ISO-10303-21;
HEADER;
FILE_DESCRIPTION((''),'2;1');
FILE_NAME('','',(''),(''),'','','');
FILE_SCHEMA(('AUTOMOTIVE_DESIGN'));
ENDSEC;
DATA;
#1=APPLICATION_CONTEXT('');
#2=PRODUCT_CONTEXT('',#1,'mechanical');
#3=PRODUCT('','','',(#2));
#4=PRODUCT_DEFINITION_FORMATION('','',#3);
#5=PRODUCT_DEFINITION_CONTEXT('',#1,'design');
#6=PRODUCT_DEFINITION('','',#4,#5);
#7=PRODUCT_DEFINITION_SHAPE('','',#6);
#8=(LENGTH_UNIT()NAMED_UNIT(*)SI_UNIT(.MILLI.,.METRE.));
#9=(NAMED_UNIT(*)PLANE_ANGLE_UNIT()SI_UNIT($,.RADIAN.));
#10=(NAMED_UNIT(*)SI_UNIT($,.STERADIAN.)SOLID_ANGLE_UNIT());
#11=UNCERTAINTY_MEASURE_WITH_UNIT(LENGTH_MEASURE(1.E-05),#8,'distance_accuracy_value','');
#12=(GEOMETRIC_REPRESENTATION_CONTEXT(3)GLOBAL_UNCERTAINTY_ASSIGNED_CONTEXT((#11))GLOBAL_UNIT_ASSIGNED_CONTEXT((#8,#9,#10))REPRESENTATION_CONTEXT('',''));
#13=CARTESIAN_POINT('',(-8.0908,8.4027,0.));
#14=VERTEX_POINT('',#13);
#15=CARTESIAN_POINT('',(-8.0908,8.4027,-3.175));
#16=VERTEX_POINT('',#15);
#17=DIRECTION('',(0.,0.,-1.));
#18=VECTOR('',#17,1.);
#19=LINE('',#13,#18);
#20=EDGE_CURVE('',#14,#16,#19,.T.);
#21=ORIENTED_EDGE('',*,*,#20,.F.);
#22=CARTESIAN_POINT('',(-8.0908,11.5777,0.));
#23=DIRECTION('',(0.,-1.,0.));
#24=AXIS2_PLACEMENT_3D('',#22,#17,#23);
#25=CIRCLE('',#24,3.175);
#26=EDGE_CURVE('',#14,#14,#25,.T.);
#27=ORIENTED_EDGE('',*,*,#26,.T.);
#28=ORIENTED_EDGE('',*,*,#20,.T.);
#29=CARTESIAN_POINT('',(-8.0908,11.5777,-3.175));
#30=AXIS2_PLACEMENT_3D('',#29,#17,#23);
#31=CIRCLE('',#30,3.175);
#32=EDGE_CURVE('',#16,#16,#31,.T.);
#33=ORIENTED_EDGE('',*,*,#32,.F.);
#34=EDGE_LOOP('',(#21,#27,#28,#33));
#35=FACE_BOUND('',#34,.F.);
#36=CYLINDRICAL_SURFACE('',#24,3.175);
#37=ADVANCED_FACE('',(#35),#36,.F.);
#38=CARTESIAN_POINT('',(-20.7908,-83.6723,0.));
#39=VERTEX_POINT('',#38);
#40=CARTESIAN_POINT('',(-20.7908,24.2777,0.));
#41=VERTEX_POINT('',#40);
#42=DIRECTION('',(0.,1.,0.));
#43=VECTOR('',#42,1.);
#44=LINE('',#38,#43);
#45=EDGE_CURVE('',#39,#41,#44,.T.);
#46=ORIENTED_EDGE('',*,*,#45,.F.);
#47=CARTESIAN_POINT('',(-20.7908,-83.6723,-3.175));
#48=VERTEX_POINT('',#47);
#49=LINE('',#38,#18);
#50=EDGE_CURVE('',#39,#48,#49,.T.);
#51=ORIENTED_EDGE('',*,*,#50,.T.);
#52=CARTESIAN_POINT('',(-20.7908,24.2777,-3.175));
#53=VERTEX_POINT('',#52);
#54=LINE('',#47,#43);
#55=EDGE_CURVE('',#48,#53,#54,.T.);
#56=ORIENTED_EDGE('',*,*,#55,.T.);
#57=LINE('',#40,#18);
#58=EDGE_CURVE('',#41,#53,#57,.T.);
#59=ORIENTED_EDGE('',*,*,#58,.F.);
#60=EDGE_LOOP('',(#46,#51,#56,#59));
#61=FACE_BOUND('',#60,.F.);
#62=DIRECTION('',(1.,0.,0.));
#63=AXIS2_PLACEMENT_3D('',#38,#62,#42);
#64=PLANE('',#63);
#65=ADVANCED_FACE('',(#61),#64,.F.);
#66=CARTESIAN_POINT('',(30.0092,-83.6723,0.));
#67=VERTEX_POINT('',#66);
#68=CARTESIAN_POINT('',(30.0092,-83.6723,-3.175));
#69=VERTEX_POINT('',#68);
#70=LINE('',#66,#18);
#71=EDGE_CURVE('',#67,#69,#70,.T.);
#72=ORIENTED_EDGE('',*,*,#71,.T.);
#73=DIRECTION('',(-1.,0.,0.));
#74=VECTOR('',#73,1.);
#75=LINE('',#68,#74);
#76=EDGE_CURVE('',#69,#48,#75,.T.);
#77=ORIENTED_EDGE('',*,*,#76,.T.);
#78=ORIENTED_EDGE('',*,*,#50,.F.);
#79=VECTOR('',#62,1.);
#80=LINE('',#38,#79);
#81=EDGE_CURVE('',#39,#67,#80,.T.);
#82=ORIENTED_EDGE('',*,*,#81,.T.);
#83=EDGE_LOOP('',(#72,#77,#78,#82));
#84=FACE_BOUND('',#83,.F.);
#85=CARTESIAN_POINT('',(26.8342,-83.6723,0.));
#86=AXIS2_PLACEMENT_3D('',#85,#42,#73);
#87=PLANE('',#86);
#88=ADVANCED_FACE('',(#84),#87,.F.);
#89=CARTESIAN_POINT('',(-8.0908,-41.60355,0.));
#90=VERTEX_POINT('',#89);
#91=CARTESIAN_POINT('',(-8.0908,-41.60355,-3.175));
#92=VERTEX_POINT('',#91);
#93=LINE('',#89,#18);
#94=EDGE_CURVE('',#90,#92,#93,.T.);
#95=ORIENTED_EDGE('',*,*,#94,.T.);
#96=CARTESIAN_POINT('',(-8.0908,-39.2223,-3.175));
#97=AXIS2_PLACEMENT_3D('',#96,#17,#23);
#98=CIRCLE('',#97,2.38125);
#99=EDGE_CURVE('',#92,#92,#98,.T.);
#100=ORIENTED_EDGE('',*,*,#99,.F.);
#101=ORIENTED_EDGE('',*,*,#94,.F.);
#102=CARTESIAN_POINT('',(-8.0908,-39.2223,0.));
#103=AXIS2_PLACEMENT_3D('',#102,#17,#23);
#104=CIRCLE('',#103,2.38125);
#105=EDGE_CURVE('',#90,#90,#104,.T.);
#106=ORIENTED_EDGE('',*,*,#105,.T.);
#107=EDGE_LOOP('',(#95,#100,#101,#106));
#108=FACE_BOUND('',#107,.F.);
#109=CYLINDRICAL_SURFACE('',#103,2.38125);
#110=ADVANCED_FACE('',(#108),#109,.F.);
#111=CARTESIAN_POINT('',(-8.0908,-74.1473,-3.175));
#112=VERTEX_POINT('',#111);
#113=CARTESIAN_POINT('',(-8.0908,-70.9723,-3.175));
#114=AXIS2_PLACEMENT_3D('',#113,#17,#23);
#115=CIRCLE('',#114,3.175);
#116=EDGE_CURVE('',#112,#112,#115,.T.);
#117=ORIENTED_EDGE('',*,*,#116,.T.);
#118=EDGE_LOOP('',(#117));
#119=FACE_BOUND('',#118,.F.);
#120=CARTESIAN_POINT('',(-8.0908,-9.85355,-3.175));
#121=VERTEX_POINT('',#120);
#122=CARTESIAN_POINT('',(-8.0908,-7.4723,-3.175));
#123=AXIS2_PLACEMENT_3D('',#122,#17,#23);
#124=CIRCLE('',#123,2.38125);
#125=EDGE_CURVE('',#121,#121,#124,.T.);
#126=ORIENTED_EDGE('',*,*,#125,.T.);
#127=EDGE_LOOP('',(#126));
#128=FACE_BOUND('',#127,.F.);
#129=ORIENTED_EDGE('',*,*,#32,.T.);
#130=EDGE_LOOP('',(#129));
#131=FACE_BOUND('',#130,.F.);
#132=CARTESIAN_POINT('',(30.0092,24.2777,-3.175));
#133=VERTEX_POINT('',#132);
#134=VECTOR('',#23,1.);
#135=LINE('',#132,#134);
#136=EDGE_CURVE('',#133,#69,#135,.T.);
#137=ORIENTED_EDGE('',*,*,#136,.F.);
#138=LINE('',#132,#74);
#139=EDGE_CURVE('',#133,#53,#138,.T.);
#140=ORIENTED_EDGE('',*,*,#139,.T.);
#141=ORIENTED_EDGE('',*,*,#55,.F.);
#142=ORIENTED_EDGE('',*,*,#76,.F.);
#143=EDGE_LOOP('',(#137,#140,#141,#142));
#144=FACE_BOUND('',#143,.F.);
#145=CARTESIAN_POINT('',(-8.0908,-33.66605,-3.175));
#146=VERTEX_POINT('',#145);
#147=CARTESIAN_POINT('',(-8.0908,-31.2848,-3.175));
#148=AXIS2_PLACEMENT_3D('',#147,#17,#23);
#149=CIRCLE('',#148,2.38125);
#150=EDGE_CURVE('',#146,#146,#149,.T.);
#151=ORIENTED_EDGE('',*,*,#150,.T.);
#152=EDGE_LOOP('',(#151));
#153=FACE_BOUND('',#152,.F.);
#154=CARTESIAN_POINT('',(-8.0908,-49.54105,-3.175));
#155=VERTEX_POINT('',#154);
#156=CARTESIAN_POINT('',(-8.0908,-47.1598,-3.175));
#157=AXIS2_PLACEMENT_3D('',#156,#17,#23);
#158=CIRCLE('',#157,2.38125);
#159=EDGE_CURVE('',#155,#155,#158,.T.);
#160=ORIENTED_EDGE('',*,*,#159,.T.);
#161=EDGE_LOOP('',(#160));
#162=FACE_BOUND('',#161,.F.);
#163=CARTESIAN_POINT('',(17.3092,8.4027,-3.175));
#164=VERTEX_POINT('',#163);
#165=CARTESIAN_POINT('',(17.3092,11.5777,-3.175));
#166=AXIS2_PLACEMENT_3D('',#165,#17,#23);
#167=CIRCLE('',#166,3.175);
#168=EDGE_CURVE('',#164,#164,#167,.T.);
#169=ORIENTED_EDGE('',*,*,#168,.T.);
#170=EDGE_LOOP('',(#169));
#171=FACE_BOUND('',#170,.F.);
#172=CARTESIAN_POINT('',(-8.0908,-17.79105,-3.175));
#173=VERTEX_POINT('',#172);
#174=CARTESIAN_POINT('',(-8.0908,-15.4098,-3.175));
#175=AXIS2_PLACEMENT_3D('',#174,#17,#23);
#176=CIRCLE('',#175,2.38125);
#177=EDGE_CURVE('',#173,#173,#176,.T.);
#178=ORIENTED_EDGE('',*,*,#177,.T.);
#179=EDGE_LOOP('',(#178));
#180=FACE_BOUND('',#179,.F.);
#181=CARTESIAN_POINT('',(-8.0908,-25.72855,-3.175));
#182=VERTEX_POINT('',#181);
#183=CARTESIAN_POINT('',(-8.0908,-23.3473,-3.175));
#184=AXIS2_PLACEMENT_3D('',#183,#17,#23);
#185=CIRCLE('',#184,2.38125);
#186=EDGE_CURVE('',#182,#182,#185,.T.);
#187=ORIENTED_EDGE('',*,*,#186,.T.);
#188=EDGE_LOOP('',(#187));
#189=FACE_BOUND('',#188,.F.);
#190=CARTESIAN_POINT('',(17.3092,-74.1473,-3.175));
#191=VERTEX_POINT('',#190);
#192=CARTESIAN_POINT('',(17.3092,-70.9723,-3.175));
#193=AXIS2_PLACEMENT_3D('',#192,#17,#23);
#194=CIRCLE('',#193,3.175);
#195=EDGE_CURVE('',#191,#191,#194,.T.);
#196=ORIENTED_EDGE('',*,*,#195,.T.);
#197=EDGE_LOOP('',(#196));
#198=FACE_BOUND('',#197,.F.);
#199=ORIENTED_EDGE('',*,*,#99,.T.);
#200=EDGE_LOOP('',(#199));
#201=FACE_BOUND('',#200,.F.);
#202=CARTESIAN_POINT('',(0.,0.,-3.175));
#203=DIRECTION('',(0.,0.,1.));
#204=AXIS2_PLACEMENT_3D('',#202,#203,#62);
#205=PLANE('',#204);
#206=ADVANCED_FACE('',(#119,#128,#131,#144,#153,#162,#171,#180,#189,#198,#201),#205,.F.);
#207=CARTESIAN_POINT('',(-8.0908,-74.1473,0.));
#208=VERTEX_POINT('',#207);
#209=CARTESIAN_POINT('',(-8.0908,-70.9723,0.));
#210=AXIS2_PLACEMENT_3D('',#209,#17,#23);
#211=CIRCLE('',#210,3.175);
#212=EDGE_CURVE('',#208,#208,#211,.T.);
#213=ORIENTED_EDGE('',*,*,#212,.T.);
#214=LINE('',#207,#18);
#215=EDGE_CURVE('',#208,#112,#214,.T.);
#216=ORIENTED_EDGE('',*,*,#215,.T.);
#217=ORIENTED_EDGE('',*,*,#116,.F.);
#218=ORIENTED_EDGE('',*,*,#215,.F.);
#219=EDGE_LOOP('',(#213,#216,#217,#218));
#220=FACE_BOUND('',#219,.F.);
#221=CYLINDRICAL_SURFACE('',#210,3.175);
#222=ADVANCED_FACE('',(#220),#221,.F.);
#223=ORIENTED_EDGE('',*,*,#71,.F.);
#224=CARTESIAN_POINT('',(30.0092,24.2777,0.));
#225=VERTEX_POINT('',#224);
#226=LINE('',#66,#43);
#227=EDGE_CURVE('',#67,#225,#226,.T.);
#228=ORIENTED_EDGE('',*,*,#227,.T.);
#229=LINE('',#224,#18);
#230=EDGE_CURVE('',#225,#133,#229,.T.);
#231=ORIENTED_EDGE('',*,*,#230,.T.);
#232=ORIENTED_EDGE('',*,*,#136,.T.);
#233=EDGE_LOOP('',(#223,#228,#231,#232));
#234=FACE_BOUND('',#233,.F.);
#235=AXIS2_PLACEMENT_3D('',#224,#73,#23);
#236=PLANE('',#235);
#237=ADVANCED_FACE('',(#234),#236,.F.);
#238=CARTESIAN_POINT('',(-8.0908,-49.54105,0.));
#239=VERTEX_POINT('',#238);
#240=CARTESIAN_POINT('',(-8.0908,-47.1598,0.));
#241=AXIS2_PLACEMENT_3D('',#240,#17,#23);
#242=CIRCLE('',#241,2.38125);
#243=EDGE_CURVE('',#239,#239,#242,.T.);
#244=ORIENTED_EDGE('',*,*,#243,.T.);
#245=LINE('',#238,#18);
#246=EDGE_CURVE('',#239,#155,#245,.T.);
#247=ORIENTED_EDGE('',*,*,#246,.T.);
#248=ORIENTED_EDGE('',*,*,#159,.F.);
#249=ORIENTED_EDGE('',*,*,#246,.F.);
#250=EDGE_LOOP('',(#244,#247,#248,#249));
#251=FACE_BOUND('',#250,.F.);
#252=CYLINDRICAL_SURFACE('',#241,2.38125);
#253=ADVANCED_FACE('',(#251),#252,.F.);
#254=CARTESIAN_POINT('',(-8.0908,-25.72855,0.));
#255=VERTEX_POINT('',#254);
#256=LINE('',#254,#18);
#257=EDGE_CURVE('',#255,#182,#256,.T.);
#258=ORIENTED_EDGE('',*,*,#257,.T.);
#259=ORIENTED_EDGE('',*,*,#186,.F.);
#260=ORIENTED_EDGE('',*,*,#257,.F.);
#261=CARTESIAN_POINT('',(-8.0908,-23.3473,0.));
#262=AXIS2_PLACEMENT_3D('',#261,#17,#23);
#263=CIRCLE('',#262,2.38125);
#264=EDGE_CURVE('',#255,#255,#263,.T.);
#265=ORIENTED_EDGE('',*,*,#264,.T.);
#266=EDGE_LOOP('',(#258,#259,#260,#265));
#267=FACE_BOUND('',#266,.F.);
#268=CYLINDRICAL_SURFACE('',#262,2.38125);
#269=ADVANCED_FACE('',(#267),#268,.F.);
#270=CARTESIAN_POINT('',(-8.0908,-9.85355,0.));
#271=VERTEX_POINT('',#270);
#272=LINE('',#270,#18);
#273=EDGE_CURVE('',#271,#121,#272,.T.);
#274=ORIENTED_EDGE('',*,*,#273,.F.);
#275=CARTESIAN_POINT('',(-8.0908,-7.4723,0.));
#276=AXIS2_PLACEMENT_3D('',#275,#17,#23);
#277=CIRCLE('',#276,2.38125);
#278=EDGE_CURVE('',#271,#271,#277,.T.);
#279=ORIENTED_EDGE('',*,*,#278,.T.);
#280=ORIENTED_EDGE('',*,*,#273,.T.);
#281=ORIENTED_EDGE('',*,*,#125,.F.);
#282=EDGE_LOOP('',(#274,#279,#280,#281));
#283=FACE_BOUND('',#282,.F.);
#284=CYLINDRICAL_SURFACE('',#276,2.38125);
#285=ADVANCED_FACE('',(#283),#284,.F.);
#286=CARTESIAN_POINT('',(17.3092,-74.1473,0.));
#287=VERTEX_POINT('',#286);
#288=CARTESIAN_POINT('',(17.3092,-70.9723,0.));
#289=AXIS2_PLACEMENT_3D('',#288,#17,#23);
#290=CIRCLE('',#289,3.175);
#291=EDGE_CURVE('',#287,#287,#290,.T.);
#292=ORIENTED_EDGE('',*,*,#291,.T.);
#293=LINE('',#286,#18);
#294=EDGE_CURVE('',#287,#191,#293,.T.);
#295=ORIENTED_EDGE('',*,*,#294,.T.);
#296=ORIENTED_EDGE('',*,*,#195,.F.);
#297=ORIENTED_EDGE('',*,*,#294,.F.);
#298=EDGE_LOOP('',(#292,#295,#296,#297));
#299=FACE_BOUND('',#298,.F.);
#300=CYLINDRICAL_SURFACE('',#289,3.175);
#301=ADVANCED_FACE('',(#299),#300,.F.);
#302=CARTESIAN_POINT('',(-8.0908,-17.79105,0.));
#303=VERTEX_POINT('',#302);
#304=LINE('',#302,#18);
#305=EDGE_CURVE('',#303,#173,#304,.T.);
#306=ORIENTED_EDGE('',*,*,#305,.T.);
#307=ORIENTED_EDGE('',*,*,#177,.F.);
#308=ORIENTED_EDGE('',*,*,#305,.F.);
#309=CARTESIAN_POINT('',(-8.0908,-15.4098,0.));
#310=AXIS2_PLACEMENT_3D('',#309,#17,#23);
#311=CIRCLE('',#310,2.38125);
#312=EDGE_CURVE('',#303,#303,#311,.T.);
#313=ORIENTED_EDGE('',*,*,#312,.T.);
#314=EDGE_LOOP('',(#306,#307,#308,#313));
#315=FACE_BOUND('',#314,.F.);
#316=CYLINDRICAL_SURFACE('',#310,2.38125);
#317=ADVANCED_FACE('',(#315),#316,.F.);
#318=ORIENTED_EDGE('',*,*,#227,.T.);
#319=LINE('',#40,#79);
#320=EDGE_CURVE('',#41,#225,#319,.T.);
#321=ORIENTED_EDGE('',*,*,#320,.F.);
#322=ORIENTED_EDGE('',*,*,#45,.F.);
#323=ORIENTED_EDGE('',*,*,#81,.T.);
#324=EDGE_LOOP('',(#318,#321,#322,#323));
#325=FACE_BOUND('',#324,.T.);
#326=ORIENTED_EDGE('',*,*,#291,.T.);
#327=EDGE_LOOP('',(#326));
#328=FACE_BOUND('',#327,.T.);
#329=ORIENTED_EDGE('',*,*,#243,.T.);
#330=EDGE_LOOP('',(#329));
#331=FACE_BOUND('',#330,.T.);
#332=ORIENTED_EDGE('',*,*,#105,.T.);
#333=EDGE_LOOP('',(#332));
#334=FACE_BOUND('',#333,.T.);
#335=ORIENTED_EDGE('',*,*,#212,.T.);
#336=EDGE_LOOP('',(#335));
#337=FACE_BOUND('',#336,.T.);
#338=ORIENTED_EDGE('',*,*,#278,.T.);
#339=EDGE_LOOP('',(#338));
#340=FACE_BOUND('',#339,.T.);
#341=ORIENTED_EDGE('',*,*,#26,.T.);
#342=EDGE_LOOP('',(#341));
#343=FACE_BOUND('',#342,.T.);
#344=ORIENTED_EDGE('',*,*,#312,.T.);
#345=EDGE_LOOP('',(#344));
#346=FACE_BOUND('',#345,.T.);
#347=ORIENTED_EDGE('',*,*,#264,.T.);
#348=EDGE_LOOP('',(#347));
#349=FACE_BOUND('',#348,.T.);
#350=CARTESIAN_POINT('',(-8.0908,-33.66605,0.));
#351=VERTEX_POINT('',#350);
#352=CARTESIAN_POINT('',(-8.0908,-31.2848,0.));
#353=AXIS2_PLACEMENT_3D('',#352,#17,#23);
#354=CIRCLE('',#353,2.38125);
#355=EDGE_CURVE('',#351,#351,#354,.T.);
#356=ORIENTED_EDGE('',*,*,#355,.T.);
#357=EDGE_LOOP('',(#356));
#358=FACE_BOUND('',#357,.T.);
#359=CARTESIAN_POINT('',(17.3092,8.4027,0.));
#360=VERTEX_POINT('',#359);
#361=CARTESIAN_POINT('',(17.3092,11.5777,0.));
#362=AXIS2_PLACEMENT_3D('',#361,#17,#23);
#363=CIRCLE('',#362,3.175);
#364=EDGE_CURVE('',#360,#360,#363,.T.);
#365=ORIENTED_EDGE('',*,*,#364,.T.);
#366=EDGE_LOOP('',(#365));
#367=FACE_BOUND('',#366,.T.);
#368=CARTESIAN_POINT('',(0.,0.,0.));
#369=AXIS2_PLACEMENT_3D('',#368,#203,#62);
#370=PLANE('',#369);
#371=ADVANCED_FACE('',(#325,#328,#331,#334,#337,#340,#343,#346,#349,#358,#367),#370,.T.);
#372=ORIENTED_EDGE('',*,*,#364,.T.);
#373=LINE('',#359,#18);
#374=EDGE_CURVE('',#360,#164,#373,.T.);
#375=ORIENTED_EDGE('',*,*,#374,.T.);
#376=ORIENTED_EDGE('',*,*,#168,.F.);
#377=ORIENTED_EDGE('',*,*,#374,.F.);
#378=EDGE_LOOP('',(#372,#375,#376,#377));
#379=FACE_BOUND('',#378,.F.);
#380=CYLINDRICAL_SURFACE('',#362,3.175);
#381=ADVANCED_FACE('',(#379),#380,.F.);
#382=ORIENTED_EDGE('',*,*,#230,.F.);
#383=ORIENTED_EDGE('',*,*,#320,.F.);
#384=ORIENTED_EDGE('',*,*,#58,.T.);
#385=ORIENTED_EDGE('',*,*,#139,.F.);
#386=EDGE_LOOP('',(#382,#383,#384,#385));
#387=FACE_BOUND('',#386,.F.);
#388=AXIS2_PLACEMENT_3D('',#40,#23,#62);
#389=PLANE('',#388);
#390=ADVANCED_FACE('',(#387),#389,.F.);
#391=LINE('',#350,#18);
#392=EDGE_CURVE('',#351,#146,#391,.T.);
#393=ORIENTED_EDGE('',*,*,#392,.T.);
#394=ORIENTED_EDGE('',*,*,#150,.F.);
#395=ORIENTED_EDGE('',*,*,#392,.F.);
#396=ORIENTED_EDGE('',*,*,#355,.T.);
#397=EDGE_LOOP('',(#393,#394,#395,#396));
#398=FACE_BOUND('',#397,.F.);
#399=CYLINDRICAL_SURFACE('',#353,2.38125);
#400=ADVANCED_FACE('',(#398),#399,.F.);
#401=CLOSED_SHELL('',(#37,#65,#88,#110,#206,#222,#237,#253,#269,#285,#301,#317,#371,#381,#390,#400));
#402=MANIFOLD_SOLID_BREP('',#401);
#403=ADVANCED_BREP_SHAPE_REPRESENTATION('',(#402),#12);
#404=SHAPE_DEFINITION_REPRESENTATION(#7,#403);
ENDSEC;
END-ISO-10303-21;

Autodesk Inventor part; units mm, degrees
ref_plane "YZ Plane" through (0, 0, 0) normal (1, 0, 0) x (0, 1, 0)
ref_plane "XZ Plane" through (0, 0, 0) normal (0, 1, 0) x (-1, 0, 0)
ref_plane "XY Plane" through (0, 0, 0) normal (0, 0, 1) x (1, 0, 0)
sketch "Sketch1" plane through (0, 0, 0) normal (0, 0, 1) x (1, 0, 0)
  line L0 (-20.7908, 24.2777) -> (30.0092, 24.2777)
  line L1 (30.0092, 24.2777) -> (30.0092, -83.6723)
  line L2 (30.0092, -83.6723) -> (-20.7908, -83.6723)
  line L3 (-20.7908, -83.6723) -> (-20.7908, 24.2777)
  line L4 (26.8342, 24.2777) -> (26.8342, -1.1223)
  line L5 (26.8342, -1.1223) -> (30.0092, -1.1223)
  line L6 (26.8342, -83.6723) -> (26.8342, -58.2723)
  line L7 (26.8342, -58.2723) -> (30.0092, -58.2723)
  point P0 (0, 0)
  point P1 (-8.0908, 11.5777)
  point P2 (17.3092, 11.5777)
  point P3 (-8.0908, -70.9723)
  point P4 (17.3092, -70.9723)
  point P5 (-8.0908, -7.4723)
  point P6 (-8.0908, -15.4098)
  point P7 (-8.0908, -23.3473)
  point P8 (-8.0908, -31.2848)
  point P9 (-8.0908, -39.2223)
  point P10 (-8.0908, -47.1598)
  dimension "d0" = 50.8
  dimension "d1" = 107.95
  dimension "d2" = 12.7
  dimension "d3" = 12.7
  dimension "d4" = 12.7
  dimension "d5" = 12.7
  dimension "d6" = 12.7
  dimension "d7" = 12.7
  dimension "d8" = 12.7
  dimension "d9" = 12.7
  dimension "d12" = 7.9375
  dimension "d13" = 7.9375
  dimension "d14" = 7.9375
  dimension "d15" = 7.9375
  dimension "d16" = 7.9375
  dimension "d36" = 38.1
  dimension "d37" = 38.1
  dimension "d38" = 38.1
  dimension "d39" = 38.1
  dimension "d40" = 19.05
  dimension "d41" = 38.1
  dimension "d43" = 38.1
  dimension "d44" = 25.4
  dimension "d45" = 3.175
  dimension "d46" = 25.4
  dimension "d47" = 3.175
extrude "Extrusion1" add sketch "Sketch1" against normal blind 3.175
hole "Hole1" at (-8.0908, 11.5777, 0) at (17.3092, 11.5777, 0) at (-8.0908, -70.9723, 0) at (17.3092, -70.9723, 0) direction (0, 0, -1) diameter 6.35 depth 25.4 tip angle 118
hole "Hole2" at (-8.0908, -7.4723, 0) at (-8.0908, -15.4098, 0) at (-8.0908, -23.3473, 0) at (-8.0908, -31.2848, 0) at (-8.0908, -39.2223, 0) at (-8.0908, -47.1598, 0) direction (0, 0, -1) diameter 4.7625 depth 25.4 tip angle 118
properties part number "AS2-8-4-001"
